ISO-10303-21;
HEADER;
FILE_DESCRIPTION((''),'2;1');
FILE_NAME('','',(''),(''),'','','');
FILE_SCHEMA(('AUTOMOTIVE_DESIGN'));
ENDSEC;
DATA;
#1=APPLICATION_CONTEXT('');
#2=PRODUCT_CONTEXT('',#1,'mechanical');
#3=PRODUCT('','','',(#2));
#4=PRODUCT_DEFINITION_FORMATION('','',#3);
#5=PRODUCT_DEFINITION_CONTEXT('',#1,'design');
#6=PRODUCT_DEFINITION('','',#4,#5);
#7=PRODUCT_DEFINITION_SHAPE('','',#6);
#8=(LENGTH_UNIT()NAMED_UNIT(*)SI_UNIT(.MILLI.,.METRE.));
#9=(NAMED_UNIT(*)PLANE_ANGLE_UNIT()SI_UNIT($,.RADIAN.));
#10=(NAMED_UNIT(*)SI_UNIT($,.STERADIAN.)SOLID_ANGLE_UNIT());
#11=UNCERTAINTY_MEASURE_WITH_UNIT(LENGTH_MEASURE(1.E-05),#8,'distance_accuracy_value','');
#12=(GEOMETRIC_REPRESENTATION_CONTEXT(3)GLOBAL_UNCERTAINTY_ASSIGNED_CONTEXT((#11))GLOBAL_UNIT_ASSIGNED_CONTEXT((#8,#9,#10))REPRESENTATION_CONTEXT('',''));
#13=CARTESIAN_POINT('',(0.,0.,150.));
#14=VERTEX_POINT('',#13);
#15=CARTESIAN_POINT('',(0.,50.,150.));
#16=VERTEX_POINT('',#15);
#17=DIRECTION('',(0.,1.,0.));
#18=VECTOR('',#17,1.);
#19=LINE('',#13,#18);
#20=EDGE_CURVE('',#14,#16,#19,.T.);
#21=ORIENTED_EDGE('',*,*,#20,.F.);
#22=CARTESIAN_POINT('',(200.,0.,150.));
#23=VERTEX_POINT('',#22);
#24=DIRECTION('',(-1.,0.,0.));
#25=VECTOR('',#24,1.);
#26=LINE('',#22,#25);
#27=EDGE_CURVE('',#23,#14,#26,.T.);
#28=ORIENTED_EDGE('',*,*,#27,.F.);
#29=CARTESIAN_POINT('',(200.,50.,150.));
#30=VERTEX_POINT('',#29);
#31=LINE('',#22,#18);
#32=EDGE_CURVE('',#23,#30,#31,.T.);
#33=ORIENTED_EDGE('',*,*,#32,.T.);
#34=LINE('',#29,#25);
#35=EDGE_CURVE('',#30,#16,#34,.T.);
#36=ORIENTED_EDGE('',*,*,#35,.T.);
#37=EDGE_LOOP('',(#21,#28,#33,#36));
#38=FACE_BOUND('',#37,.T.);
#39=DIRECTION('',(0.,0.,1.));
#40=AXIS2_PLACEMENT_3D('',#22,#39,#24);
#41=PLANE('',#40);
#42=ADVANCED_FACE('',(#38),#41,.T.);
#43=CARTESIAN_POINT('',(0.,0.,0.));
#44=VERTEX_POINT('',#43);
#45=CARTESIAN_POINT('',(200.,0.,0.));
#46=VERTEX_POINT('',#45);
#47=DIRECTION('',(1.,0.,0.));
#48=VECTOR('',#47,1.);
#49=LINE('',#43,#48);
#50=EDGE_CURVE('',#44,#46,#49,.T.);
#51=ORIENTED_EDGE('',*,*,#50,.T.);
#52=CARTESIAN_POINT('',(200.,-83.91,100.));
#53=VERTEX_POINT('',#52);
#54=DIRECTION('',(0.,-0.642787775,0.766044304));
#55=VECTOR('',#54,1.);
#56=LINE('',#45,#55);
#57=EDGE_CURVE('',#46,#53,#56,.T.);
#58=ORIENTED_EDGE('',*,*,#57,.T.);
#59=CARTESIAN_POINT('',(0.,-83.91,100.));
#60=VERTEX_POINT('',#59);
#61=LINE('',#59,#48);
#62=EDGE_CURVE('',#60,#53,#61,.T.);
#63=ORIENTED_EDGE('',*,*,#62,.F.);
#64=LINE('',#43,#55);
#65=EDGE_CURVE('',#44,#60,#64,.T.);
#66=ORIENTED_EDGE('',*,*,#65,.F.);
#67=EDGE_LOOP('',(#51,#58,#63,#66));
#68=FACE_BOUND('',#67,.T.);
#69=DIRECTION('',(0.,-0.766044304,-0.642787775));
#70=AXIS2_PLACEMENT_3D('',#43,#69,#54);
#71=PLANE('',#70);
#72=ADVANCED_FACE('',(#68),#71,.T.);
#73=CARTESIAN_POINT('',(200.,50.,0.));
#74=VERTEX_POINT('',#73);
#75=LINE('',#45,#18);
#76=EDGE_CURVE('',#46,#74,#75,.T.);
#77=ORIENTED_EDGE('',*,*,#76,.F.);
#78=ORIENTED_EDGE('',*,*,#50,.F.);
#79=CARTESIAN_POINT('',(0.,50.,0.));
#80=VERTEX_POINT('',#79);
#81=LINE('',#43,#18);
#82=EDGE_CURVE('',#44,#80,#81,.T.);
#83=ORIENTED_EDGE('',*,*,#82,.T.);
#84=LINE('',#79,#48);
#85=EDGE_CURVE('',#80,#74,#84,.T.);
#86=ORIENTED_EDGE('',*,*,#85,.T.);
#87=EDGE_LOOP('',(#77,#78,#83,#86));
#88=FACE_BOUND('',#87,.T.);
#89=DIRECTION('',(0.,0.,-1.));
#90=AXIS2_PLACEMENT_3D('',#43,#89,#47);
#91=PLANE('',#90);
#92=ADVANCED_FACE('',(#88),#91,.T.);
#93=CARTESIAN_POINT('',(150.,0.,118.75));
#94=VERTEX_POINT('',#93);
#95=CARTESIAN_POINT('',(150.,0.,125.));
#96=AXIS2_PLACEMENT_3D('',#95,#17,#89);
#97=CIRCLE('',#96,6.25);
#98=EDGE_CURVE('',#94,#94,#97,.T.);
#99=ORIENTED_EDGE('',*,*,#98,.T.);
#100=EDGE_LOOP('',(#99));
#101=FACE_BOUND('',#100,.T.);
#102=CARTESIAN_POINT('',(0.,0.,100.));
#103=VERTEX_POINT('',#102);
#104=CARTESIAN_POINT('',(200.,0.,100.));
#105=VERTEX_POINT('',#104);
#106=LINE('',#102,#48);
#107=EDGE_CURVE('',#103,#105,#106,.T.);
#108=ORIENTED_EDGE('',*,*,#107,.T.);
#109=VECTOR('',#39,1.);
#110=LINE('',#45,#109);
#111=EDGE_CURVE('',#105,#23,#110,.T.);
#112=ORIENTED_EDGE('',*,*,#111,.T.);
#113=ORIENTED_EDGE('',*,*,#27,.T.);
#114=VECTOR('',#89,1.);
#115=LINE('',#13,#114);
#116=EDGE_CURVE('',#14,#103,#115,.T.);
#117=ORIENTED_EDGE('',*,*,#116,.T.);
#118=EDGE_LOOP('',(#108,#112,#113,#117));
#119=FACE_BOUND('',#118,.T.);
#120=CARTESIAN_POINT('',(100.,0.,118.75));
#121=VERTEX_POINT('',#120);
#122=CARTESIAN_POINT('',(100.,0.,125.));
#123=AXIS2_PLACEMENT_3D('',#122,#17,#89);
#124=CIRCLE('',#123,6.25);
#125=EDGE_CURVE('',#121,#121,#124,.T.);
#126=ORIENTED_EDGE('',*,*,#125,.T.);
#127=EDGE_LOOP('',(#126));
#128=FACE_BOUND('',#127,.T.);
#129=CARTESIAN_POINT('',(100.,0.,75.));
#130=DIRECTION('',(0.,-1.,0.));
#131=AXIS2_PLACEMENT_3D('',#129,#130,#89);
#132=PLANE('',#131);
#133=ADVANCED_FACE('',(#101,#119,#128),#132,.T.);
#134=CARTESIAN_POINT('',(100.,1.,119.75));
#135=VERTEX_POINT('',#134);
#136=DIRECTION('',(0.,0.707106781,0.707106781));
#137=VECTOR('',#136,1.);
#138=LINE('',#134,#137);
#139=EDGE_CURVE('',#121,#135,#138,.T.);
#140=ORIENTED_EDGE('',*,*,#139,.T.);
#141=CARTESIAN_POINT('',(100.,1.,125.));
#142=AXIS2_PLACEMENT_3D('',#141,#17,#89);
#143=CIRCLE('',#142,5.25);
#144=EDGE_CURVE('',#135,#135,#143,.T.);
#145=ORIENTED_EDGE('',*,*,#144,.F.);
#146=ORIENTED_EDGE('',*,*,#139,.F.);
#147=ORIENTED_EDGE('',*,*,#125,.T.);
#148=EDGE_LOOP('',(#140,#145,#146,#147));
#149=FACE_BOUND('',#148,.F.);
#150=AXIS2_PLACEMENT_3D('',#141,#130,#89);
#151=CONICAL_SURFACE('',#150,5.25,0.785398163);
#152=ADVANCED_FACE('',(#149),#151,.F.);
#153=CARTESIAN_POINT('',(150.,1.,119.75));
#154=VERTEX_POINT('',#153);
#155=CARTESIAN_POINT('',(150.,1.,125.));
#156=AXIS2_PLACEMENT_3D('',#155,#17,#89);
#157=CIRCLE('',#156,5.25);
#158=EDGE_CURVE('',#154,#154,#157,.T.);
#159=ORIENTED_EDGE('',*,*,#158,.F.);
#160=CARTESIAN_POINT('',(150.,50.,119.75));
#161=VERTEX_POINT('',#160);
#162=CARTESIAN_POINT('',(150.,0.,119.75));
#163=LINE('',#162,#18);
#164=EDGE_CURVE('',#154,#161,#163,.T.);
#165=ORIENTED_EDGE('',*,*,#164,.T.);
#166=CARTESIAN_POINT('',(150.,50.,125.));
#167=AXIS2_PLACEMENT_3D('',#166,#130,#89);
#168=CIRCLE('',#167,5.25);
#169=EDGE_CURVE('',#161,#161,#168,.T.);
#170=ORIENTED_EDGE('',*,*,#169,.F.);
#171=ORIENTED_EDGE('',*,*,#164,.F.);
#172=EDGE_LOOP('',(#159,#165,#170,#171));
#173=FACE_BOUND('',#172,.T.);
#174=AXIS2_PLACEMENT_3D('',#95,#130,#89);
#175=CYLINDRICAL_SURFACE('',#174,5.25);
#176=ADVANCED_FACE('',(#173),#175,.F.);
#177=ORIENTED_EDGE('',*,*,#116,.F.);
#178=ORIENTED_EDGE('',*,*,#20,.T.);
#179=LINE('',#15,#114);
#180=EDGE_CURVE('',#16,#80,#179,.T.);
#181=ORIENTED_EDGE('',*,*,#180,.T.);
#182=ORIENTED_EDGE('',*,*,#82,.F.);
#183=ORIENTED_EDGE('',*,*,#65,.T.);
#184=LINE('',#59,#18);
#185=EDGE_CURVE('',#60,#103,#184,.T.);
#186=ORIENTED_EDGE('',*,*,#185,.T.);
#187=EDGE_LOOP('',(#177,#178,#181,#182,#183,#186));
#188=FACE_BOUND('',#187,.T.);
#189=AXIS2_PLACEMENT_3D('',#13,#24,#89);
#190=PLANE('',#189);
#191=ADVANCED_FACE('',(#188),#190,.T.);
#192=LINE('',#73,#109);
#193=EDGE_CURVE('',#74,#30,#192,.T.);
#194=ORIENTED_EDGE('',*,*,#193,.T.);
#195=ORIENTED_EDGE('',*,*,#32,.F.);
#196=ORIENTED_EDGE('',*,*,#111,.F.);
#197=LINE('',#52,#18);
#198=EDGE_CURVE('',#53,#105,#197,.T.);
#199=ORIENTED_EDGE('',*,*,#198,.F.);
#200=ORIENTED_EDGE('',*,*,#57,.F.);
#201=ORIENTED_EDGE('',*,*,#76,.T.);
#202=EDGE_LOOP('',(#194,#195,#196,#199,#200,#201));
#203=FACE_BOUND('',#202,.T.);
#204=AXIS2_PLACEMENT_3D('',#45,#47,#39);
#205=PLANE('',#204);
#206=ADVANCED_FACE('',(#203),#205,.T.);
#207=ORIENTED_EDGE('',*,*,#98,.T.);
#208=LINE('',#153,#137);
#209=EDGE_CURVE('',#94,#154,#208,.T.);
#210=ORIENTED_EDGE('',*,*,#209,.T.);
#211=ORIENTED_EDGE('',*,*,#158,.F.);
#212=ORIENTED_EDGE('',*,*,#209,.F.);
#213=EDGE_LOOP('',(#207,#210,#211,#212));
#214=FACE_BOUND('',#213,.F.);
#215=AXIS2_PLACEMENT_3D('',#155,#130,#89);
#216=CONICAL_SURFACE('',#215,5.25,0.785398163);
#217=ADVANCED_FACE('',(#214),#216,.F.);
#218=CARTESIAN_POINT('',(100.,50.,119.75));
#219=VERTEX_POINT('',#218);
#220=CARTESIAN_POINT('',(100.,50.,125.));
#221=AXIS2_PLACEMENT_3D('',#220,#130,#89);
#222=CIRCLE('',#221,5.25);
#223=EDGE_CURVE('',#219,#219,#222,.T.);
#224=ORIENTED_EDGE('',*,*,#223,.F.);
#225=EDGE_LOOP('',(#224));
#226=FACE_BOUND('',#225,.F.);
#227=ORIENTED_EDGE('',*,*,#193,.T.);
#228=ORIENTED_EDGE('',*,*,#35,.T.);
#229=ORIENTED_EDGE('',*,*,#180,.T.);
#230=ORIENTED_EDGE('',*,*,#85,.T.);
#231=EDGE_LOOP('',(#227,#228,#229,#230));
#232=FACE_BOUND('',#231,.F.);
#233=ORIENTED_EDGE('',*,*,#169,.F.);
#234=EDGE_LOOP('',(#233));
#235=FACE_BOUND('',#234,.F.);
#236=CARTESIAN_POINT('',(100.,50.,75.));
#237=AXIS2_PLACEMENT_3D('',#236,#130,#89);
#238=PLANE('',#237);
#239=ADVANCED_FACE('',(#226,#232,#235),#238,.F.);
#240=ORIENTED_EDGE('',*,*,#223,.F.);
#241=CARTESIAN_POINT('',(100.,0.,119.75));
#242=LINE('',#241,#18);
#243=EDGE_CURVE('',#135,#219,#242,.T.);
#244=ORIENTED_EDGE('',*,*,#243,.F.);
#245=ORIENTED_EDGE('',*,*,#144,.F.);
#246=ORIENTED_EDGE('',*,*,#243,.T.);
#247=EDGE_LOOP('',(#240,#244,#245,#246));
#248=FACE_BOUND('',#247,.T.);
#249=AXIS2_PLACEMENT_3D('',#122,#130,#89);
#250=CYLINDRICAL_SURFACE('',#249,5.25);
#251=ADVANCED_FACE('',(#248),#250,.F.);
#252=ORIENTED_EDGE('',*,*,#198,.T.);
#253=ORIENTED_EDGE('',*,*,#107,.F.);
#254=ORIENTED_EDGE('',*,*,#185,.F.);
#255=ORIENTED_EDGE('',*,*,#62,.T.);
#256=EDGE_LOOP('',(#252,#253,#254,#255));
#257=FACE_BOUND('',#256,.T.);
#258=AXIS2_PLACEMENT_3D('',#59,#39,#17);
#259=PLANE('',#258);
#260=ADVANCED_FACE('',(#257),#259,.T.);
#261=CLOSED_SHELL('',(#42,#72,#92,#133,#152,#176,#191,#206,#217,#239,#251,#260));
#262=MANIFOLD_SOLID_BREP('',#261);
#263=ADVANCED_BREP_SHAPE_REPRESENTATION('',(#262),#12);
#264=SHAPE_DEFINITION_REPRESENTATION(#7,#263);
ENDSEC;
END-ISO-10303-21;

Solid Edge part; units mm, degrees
sketch "Sketch1" plane through (0, 0, 0) normal (0, -1, 0) x (1, 0, 0)
  line L0 (0, 0) -> (200, 0)
  line L1 (200, 0) -> (200, 150)
  line L2 (200, 150) -> (0, 150)
  line L3 (0, 150) -> (0, 0)
extrude "Protrusion1" add sketch "Sketch1" against normal blind 50
sketch "Sketch2" plane through (0, 25, 75) normal (-1, 0, 0) x (0, 0, -1)
  line L0 (75, 25) -> (-25, 108.91)
  line L1 (-25, 108.91) -> (-25, 25)
  line L2 (-25, 25) -> (75, 25)
extrude "Extrusionsausprägung_2" add sketch "Sketch2" against normal blind 200
hole "Bohrung_1" at (100, 0, 125) direction (0, 1, 0) diameter 10.5 end up to next start chamfer 1 start chamfer angle 45
hole "Hole1" at (150, 0, 125) direction (0, 1, 0) diameter 10.5 end up to next start chamfer 1 start chamfer angle 45
